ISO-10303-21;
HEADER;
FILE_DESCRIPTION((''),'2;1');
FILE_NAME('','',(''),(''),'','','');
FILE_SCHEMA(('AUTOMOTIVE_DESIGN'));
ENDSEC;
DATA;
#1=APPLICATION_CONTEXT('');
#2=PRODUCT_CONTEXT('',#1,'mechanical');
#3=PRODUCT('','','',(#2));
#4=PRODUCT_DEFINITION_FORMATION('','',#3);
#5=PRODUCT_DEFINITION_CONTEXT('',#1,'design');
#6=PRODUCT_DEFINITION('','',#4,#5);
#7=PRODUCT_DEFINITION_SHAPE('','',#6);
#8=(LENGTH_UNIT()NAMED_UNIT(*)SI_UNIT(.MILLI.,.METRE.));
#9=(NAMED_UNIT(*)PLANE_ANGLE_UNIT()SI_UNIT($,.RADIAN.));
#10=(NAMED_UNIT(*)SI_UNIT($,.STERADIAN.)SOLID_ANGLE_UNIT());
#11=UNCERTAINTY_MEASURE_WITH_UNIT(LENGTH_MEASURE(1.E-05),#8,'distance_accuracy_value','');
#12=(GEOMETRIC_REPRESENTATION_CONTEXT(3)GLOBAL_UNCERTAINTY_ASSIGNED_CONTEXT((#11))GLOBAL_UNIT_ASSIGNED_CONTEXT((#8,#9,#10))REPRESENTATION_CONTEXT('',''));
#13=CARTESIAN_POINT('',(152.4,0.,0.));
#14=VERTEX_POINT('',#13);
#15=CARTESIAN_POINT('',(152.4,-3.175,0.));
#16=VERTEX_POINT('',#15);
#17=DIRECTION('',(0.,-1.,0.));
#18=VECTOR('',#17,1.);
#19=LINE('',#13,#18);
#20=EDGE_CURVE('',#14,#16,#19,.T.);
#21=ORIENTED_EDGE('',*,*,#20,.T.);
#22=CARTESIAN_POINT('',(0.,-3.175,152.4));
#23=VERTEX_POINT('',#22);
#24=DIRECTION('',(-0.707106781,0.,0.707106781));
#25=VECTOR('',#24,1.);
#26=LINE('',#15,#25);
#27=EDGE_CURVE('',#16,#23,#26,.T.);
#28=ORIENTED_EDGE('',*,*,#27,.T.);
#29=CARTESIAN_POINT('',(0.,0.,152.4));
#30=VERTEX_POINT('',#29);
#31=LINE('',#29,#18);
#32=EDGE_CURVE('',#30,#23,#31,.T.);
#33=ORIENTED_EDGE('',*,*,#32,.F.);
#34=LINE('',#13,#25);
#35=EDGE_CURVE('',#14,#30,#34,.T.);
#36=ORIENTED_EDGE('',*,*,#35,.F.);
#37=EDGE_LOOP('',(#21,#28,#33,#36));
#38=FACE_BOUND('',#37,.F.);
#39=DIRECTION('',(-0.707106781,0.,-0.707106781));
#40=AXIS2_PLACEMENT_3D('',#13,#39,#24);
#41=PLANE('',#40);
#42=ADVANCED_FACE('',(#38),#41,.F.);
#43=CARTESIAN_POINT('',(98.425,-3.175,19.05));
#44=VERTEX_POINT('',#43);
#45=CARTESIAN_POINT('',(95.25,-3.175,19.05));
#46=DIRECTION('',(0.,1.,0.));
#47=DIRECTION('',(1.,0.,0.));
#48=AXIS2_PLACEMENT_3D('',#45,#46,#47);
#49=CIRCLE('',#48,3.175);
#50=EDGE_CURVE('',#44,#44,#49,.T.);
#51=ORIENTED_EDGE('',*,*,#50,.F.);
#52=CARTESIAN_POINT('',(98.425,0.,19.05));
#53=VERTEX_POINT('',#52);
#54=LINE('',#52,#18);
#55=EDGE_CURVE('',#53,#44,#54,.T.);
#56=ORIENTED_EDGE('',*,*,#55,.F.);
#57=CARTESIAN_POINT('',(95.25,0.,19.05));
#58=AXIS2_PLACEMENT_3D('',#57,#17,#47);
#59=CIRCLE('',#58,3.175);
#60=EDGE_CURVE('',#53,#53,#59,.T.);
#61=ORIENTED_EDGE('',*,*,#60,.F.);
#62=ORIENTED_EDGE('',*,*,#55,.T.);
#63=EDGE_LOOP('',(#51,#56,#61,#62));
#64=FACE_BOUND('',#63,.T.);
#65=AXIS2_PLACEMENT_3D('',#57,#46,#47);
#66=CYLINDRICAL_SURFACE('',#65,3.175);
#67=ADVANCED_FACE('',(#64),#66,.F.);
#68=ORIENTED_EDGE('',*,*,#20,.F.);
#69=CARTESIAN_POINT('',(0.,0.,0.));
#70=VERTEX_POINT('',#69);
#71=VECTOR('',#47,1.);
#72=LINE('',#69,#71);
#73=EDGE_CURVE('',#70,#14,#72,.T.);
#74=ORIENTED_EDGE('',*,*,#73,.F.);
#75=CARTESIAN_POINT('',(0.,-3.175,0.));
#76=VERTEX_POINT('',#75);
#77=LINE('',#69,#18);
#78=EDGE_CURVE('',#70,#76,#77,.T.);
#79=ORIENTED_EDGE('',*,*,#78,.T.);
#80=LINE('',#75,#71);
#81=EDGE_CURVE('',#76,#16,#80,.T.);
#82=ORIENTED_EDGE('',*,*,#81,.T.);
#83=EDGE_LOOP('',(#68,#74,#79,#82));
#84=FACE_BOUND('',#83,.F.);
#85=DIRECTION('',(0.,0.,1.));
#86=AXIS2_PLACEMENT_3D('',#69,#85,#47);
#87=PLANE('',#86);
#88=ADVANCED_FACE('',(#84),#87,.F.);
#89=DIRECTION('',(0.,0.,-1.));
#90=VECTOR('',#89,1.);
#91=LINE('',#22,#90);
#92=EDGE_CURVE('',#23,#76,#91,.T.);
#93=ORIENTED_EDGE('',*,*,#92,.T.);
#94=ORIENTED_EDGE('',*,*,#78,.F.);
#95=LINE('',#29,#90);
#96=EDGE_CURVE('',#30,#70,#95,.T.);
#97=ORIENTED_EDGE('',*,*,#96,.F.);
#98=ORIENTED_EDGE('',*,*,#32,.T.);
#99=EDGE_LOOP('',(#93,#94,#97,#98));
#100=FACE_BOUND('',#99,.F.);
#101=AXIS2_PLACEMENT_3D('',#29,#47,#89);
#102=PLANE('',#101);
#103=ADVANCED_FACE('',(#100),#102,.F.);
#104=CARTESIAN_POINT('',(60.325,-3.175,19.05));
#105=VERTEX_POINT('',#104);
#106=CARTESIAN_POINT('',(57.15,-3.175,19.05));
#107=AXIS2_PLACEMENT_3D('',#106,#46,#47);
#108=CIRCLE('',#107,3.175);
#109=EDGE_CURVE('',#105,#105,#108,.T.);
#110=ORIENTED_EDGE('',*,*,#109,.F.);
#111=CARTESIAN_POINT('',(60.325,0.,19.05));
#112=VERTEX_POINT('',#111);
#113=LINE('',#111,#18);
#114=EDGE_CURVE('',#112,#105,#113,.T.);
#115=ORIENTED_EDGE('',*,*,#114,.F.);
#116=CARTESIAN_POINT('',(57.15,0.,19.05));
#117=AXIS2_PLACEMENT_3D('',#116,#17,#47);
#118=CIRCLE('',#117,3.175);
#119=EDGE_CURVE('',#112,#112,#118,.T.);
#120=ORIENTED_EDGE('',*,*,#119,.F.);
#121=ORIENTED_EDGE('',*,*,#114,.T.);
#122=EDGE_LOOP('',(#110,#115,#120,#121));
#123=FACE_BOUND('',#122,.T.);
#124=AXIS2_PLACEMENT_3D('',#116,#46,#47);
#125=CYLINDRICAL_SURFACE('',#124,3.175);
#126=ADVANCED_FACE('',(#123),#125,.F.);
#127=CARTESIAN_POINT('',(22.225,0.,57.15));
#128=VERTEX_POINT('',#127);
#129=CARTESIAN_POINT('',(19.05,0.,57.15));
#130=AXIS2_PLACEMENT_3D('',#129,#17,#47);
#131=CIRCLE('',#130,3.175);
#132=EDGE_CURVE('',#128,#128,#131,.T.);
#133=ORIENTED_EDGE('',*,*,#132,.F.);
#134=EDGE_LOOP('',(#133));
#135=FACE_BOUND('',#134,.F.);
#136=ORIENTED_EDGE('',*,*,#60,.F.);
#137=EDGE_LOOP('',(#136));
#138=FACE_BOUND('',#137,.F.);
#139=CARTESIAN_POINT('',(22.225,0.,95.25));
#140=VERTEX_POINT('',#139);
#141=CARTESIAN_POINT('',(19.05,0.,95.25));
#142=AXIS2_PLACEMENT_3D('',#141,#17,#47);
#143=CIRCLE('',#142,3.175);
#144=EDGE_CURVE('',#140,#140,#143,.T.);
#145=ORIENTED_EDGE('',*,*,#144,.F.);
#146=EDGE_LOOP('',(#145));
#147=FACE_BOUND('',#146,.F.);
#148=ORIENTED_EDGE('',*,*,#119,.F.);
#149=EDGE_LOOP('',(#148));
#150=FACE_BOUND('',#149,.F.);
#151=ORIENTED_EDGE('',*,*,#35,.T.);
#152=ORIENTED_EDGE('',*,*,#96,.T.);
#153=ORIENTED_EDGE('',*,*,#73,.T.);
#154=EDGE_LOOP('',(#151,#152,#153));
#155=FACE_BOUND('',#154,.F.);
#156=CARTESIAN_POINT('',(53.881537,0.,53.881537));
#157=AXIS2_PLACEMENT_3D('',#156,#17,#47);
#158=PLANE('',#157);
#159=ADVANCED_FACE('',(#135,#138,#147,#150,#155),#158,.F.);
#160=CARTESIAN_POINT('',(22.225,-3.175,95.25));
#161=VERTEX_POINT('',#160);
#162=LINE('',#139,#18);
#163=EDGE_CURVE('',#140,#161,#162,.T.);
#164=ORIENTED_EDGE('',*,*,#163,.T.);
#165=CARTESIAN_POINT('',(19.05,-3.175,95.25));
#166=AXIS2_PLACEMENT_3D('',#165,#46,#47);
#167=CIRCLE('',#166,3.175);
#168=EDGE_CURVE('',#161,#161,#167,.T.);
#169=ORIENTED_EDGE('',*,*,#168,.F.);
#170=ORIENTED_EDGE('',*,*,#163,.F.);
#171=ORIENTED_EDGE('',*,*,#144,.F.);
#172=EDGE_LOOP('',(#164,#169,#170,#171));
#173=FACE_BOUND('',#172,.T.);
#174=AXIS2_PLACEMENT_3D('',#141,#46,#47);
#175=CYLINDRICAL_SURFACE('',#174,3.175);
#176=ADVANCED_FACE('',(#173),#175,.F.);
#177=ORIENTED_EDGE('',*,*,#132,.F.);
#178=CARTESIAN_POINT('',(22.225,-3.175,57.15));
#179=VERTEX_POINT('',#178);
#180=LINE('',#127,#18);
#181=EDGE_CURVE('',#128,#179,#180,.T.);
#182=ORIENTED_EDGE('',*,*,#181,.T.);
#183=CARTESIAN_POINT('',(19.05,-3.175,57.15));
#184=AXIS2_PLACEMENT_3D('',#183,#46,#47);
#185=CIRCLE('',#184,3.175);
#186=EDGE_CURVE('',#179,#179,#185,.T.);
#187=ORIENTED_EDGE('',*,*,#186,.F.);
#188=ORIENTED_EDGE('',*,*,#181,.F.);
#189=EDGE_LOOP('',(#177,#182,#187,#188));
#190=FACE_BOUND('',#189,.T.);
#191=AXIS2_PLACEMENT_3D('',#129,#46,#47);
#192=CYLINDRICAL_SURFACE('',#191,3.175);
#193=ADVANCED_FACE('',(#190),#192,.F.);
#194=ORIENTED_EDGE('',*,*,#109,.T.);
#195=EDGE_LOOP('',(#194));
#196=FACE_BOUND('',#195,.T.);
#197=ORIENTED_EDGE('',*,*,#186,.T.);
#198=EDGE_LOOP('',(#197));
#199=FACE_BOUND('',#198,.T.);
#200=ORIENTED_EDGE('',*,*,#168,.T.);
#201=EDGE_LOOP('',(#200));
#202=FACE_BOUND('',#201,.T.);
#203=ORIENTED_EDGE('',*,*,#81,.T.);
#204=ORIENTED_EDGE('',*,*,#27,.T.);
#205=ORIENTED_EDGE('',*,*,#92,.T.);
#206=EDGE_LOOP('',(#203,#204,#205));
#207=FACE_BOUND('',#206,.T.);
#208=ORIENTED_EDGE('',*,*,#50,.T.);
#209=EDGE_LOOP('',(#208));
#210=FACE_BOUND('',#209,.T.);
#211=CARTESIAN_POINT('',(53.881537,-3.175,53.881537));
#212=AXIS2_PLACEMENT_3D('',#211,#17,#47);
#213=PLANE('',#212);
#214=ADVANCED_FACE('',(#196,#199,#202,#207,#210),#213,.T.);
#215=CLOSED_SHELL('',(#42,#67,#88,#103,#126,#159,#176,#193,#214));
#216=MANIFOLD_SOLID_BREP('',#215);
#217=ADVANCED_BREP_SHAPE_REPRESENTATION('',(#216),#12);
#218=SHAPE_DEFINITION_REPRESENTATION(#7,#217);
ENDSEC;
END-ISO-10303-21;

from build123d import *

# Parameters (mm, degrees)
F1_DEPTH = 3.175
F2_R     = 3.175
F3_DEPTH = 76.2


with BuildPart() as f1:
    # F0 (on Front) → F1 (new body)
    with BuildSketch(Plane.XZ):
        Polygon((0, 152.4), (0, 0), (152.4, 0), align=None)
    extrude(amount=F1_DEPTH)

    # F2 (on Front) → F3 (cut)
    with BuildSketch(Plane.XZ):
        with Locations((19.05, 57.15)):
            Circle(F2_R)
        with Locations((19.05, 95.25)):
            Circle(F2_R)
        with Locations((57.15, 19.05)):
            Circle(F2_R)
        with Locations((95.25, 19.05)):
            Circle(F2_R)
    extrude(amount=F3_DEPTH, mode=Mode.SUBTRACT)


solid = f1.part
